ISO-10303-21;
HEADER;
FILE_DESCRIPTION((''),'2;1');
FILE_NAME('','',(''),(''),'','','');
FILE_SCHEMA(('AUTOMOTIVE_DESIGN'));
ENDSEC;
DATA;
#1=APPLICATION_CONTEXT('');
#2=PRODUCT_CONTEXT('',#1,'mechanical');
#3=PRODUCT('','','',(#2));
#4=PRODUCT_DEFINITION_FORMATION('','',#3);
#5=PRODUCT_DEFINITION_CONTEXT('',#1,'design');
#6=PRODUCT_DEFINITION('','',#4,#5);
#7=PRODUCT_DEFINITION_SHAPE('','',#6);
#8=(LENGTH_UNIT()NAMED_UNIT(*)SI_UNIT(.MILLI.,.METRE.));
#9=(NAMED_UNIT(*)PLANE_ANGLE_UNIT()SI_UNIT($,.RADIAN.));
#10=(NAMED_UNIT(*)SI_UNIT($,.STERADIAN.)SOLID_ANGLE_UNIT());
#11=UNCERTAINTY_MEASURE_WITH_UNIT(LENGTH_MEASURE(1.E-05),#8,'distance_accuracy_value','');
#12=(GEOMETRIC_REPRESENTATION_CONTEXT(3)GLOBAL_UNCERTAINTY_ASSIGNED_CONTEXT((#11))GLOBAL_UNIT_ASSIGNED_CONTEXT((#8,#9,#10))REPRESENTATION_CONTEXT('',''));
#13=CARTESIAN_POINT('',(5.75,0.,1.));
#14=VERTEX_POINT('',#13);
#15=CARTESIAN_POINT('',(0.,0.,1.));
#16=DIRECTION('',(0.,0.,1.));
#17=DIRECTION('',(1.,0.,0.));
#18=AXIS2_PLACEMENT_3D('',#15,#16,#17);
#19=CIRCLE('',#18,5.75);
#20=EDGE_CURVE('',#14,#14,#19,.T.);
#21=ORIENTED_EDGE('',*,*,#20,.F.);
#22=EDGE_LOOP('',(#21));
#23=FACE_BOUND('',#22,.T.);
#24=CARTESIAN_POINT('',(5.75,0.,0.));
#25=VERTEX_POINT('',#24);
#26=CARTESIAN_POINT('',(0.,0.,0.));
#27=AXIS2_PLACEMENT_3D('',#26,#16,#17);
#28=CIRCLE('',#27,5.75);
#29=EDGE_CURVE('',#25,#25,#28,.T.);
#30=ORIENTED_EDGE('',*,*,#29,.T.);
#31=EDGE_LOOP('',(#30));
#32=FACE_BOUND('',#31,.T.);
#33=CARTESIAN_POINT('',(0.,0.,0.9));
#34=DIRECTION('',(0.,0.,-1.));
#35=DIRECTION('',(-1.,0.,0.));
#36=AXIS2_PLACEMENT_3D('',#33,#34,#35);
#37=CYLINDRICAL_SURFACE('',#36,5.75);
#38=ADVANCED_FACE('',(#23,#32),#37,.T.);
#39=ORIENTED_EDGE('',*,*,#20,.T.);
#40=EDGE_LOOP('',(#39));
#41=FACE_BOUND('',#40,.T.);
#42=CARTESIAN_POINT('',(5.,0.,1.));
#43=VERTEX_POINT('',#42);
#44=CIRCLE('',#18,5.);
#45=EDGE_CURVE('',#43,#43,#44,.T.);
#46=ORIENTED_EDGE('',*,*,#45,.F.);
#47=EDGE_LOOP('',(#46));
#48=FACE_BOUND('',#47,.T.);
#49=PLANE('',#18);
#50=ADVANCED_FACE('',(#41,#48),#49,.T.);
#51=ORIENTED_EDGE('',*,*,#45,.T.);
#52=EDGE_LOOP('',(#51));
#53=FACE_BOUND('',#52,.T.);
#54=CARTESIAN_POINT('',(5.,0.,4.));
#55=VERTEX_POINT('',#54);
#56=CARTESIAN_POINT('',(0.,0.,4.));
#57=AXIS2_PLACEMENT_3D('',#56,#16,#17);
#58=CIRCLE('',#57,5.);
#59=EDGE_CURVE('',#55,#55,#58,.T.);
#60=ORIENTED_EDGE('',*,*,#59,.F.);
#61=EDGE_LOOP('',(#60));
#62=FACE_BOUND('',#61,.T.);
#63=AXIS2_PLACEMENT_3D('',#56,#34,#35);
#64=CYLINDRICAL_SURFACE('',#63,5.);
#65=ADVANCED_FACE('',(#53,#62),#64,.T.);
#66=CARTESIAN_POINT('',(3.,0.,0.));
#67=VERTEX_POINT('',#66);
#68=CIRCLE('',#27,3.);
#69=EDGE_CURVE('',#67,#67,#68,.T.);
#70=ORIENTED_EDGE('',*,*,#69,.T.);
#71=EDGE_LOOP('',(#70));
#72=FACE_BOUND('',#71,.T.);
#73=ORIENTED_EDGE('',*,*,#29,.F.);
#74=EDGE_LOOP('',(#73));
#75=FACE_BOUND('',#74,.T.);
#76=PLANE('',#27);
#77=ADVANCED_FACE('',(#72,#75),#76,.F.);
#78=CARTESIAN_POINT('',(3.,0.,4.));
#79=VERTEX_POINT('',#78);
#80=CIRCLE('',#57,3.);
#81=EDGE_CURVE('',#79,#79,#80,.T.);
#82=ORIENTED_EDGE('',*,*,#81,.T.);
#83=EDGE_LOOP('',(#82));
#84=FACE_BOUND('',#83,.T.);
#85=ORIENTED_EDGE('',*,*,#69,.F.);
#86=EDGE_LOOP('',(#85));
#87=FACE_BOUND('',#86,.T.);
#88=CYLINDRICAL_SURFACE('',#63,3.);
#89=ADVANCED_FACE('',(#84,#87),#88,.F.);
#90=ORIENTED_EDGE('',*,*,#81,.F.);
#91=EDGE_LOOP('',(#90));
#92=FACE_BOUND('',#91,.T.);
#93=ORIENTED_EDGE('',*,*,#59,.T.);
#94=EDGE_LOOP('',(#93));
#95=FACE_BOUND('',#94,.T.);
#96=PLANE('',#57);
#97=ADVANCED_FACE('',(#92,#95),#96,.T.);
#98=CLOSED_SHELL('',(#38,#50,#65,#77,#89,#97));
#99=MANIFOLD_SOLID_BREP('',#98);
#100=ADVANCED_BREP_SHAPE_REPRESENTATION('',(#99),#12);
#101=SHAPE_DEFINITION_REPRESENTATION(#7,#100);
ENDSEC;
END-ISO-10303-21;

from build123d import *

# Parameters (mm, degrees)
SKETCH_1_R          = 5
SKETCH_1_R_2        = 3
EXTRUDE_1_DEPTH     = 4
SKETCH_2_R          = 5.75
EXTRUDE_2_DEPTH     = 0.9
SKETCH_3_R          = 3
CUT_EXTRUDE_2_DEPTH = 9.9
SKETCH_2_2_R        = 5.75
EXTRUDE_3_DEPTH     = 1
SKETCH_3_2_R        = 3
CUT_EXTRUDE_3_DEPTH = 7


with BuildPart() as part:
    # 草图1 → 凸台-拉伸1 (new body)
    with BuildSketch(Plane.XY):
        Circle(SKETCH_1_R)
        Circle(SKETCH_1_R_2, mode=Mode.SUBTRACT)
    extrude(amount=EXTRUDE_1_DEPTH)

    # 草图2 → 凸台-拉伸2 (add)
    with BuildSketch(Plane.XY):
        Circle(SKETCH_2_R)
    extrude(amount=EXTRUDE_2_DEPTH)

    # 草图3 → 切除-拉伸2 (cut)
    with BuildSketch(Plane.XY):
        Circle(SKETCH_3_R)
    extrude(amount=CUT_EXTRUDE_2_DEPTH, mode=Mode.SUBTRACT)

    # 草图2<2> → 凸台-拉伸3 (add)
    with BuildSketch(Plane.XY):
        Circle(SKETCH_2_2_R)
    extrude(amount=EXTRUDE_3_DEPTH)

    # 草图3<2> → 切除-拉伸3 (cut)
    with BuildSketch(Plane.XY):
        Circle(SKETCH_3_2_R)
    extrude(amount=CUT_EXTRUDE_3_DEPTH, mode=Mode.SUBTRACT)


solid = part.part
